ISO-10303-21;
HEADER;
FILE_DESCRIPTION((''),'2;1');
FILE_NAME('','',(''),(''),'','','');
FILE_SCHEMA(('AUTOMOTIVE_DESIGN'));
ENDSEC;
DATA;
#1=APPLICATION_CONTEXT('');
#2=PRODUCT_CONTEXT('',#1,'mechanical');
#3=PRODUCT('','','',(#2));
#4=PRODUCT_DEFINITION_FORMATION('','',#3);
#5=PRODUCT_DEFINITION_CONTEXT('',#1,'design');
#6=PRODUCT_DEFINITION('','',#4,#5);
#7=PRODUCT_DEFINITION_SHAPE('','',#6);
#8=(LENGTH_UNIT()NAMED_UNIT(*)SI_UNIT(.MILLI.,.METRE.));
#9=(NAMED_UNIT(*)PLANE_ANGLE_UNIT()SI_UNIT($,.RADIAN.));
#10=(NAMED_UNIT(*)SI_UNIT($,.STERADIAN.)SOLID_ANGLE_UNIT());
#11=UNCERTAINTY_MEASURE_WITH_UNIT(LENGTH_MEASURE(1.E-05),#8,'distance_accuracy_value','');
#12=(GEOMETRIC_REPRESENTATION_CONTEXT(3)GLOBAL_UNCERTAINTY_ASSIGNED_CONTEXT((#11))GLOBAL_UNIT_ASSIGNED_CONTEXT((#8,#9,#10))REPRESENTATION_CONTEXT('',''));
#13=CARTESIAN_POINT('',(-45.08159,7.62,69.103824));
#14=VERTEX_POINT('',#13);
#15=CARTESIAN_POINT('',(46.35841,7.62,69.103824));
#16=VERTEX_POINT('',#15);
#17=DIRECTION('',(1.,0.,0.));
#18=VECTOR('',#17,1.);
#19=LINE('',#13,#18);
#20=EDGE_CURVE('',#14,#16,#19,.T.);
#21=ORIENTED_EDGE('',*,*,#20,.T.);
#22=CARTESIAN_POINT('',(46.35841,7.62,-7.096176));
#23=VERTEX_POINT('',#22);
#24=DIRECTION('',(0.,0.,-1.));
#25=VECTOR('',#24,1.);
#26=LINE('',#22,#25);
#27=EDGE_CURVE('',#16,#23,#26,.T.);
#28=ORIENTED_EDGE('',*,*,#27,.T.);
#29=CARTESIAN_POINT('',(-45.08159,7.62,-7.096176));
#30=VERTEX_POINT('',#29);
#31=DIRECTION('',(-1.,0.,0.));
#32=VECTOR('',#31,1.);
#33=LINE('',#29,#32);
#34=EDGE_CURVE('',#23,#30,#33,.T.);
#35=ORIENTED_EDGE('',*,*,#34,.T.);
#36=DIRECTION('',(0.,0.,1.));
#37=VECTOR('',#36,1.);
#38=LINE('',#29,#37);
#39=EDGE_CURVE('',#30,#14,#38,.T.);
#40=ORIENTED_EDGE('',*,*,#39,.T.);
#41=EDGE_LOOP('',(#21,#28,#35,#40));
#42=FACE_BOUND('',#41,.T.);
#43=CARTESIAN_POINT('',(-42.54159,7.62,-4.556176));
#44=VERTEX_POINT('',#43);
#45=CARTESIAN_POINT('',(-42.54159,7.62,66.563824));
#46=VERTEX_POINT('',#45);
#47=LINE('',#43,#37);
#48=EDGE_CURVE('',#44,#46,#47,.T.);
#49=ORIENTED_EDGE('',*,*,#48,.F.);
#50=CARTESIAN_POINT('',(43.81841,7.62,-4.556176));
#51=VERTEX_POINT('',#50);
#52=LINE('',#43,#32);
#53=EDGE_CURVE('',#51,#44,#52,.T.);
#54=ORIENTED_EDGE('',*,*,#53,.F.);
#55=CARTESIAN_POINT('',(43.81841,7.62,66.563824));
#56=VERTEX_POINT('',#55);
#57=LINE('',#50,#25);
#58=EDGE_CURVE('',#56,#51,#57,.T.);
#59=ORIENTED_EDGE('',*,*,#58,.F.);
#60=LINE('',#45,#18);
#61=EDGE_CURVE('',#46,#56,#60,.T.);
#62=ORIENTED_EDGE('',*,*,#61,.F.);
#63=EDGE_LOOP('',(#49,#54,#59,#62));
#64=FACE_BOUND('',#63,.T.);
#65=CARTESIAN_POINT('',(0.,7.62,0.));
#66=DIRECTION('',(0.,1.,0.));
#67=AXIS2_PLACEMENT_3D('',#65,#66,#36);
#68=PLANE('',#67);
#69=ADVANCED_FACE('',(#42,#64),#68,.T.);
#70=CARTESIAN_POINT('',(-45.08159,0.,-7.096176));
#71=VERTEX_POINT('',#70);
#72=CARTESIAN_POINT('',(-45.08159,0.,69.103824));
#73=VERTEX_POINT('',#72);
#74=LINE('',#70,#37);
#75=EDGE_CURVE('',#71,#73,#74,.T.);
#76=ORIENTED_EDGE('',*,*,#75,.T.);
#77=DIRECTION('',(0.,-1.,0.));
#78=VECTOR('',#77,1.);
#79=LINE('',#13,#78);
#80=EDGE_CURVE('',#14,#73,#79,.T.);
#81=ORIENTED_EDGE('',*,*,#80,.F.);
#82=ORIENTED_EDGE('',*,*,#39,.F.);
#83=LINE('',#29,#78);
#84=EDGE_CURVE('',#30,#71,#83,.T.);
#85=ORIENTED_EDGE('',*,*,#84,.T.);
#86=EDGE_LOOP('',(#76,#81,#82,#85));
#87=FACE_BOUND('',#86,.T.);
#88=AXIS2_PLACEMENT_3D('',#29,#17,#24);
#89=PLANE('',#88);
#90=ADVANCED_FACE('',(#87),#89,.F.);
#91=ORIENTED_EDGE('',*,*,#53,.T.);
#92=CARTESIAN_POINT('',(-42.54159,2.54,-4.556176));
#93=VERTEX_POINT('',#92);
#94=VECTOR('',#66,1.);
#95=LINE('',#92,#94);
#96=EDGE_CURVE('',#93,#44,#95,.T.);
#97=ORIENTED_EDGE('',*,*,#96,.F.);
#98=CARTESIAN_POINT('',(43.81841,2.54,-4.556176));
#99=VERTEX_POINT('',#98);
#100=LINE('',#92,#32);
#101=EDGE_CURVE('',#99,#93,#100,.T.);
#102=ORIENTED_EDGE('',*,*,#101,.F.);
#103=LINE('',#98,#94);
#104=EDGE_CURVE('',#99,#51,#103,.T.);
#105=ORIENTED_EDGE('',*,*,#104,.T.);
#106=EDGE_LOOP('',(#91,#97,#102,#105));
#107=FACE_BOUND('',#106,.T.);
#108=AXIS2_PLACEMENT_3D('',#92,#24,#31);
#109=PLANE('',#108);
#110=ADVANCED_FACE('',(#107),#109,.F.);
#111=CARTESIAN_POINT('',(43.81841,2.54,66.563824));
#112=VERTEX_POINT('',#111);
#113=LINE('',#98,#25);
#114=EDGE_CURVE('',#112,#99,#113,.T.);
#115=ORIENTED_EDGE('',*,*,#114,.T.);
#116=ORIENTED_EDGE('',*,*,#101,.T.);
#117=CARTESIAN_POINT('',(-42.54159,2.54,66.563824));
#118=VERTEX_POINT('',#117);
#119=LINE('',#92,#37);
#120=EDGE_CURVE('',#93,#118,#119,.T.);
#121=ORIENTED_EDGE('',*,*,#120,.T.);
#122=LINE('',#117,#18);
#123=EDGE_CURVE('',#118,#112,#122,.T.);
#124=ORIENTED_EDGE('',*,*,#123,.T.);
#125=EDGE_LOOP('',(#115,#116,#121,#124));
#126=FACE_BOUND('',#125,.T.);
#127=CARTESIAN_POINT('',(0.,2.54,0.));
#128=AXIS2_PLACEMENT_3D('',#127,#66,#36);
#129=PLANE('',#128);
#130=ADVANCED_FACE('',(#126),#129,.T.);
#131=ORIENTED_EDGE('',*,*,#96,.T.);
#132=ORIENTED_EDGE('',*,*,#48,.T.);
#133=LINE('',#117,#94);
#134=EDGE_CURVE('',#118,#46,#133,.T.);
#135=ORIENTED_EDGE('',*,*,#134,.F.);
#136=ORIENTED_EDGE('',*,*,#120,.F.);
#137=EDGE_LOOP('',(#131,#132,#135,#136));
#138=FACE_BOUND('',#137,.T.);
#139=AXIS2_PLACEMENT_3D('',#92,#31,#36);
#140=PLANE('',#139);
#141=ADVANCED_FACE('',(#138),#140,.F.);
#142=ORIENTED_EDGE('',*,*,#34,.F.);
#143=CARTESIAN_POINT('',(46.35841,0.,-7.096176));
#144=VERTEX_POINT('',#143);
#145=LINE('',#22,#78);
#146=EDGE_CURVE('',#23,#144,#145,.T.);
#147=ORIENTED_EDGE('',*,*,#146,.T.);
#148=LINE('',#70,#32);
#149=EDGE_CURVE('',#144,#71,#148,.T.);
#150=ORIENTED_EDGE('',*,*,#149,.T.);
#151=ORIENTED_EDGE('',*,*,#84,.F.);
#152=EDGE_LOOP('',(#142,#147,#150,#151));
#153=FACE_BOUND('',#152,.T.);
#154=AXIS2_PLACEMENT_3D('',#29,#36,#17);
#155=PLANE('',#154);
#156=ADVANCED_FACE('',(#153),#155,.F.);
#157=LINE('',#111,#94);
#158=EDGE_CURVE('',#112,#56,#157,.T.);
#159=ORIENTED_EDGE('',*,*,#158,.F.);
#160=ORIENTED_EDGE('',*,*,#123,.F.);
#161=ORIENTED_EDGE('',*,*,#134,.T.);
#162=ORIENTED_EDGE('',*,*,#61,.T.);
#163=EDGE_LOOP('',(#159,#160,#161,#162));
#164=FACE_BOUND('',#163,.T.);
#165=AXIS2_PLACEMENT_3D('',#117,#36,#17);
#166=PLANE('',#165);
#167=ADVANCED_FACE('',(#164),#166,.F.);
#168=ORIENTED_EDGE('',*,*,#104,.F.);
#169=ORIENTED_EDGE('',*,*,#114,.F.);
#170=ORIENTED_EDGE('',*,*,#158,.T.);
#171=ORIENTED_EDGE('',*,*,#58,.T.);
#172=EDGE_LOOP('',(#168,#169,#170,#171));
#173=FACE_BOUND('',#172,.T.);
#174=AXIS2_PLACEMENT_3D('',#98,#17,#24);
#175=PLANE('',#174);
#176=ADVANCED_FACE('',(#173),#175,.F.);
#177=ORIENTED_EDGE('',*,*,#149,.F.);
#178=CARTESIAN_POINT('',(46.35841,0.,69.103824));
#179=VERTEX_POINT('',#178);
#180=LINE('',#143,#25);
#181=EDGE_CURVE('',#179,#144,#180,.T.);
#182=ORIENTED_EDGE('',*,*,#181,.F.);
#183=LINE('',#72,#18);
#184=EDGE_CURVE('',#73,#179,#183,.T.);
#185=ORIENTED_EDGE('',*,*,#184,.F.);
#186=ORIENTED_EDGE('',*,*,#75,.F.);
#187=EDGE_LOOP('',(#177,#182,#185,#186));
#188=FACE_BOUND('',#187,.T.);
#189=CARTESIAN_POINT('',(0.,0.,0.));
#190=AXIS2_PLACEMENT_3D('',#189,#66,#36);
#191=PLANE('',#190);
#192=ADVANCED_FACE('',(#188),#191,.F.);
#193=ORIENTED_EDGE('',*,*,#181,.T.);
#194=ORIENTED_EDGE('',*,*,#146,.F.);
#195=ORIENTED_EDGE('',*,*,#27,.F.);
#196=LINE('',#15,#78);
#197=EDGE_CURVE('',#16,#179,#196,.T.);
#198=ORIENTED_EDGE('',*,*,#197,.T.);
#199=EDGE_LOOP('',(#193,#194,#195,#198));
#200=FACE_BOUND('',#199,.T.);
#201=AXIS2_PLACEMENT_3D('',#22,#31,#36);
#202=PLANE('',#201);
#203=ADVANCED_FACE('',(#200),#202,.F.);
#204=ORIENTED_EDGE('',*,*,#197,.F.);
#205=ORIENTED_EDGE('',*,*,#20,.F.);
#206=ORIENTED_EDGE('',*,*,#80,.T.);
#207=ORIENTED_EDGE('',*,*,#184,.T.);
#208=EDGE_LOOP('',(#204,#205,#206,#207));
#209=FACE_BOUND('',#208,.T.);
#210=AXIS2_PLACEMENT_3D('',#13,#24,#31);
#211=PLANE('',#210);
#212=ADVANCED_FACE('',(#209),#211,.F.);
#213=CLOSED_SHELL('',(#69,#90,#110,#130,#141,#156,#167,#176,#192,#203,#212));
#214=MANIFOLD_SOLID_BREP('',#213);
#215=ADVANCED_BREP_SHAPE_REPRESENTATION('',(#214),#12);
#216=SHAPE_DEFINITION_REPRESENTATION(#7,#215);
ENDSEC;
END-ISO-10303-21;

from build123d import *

# Parameters (mm, degrees)
SKETCH1_W           = 91.44
SKETCH1_H           = 76.2
BOSS_EXTRUDE1_DEPTH = 7.62
SKETCH2_W           = 86.36
SKETCH2_H           = 71.12
CUT_EXTRUDE3_DEPTH  = 5.08


with BuildPart() as part:
    # Sketch1 → Boss-Extrude1 (new body)
    with BuildSketch(Plane(origin=(0, 0, 0), x_dir=(1, 0, 0), z_dir=(0, 1, 0))):
        with Locations((0.638410311, -31.003823845)):
            Rectangle(SKETCH1_W, SKETCH1_H)
    extrude(amount=BOSS_EXTRUDE1_DEPTH)

    # Sketch2 → Cut-Extrude3 (cut)
    with BuildSketch(Plane(origin=(0, 7.62, 0), x_dir=(1, 0, 0), z_dir=(0, 1, 0))):
        with Locations((0.638410311, -31.003823845)):
            Rectangle(SKETCH2_W, SKETCH2_H)
    extrude(amount=-CUT_EXTRUDE3_DEPTH, mode=Mode.SUBTRACT)


solid = part.part
